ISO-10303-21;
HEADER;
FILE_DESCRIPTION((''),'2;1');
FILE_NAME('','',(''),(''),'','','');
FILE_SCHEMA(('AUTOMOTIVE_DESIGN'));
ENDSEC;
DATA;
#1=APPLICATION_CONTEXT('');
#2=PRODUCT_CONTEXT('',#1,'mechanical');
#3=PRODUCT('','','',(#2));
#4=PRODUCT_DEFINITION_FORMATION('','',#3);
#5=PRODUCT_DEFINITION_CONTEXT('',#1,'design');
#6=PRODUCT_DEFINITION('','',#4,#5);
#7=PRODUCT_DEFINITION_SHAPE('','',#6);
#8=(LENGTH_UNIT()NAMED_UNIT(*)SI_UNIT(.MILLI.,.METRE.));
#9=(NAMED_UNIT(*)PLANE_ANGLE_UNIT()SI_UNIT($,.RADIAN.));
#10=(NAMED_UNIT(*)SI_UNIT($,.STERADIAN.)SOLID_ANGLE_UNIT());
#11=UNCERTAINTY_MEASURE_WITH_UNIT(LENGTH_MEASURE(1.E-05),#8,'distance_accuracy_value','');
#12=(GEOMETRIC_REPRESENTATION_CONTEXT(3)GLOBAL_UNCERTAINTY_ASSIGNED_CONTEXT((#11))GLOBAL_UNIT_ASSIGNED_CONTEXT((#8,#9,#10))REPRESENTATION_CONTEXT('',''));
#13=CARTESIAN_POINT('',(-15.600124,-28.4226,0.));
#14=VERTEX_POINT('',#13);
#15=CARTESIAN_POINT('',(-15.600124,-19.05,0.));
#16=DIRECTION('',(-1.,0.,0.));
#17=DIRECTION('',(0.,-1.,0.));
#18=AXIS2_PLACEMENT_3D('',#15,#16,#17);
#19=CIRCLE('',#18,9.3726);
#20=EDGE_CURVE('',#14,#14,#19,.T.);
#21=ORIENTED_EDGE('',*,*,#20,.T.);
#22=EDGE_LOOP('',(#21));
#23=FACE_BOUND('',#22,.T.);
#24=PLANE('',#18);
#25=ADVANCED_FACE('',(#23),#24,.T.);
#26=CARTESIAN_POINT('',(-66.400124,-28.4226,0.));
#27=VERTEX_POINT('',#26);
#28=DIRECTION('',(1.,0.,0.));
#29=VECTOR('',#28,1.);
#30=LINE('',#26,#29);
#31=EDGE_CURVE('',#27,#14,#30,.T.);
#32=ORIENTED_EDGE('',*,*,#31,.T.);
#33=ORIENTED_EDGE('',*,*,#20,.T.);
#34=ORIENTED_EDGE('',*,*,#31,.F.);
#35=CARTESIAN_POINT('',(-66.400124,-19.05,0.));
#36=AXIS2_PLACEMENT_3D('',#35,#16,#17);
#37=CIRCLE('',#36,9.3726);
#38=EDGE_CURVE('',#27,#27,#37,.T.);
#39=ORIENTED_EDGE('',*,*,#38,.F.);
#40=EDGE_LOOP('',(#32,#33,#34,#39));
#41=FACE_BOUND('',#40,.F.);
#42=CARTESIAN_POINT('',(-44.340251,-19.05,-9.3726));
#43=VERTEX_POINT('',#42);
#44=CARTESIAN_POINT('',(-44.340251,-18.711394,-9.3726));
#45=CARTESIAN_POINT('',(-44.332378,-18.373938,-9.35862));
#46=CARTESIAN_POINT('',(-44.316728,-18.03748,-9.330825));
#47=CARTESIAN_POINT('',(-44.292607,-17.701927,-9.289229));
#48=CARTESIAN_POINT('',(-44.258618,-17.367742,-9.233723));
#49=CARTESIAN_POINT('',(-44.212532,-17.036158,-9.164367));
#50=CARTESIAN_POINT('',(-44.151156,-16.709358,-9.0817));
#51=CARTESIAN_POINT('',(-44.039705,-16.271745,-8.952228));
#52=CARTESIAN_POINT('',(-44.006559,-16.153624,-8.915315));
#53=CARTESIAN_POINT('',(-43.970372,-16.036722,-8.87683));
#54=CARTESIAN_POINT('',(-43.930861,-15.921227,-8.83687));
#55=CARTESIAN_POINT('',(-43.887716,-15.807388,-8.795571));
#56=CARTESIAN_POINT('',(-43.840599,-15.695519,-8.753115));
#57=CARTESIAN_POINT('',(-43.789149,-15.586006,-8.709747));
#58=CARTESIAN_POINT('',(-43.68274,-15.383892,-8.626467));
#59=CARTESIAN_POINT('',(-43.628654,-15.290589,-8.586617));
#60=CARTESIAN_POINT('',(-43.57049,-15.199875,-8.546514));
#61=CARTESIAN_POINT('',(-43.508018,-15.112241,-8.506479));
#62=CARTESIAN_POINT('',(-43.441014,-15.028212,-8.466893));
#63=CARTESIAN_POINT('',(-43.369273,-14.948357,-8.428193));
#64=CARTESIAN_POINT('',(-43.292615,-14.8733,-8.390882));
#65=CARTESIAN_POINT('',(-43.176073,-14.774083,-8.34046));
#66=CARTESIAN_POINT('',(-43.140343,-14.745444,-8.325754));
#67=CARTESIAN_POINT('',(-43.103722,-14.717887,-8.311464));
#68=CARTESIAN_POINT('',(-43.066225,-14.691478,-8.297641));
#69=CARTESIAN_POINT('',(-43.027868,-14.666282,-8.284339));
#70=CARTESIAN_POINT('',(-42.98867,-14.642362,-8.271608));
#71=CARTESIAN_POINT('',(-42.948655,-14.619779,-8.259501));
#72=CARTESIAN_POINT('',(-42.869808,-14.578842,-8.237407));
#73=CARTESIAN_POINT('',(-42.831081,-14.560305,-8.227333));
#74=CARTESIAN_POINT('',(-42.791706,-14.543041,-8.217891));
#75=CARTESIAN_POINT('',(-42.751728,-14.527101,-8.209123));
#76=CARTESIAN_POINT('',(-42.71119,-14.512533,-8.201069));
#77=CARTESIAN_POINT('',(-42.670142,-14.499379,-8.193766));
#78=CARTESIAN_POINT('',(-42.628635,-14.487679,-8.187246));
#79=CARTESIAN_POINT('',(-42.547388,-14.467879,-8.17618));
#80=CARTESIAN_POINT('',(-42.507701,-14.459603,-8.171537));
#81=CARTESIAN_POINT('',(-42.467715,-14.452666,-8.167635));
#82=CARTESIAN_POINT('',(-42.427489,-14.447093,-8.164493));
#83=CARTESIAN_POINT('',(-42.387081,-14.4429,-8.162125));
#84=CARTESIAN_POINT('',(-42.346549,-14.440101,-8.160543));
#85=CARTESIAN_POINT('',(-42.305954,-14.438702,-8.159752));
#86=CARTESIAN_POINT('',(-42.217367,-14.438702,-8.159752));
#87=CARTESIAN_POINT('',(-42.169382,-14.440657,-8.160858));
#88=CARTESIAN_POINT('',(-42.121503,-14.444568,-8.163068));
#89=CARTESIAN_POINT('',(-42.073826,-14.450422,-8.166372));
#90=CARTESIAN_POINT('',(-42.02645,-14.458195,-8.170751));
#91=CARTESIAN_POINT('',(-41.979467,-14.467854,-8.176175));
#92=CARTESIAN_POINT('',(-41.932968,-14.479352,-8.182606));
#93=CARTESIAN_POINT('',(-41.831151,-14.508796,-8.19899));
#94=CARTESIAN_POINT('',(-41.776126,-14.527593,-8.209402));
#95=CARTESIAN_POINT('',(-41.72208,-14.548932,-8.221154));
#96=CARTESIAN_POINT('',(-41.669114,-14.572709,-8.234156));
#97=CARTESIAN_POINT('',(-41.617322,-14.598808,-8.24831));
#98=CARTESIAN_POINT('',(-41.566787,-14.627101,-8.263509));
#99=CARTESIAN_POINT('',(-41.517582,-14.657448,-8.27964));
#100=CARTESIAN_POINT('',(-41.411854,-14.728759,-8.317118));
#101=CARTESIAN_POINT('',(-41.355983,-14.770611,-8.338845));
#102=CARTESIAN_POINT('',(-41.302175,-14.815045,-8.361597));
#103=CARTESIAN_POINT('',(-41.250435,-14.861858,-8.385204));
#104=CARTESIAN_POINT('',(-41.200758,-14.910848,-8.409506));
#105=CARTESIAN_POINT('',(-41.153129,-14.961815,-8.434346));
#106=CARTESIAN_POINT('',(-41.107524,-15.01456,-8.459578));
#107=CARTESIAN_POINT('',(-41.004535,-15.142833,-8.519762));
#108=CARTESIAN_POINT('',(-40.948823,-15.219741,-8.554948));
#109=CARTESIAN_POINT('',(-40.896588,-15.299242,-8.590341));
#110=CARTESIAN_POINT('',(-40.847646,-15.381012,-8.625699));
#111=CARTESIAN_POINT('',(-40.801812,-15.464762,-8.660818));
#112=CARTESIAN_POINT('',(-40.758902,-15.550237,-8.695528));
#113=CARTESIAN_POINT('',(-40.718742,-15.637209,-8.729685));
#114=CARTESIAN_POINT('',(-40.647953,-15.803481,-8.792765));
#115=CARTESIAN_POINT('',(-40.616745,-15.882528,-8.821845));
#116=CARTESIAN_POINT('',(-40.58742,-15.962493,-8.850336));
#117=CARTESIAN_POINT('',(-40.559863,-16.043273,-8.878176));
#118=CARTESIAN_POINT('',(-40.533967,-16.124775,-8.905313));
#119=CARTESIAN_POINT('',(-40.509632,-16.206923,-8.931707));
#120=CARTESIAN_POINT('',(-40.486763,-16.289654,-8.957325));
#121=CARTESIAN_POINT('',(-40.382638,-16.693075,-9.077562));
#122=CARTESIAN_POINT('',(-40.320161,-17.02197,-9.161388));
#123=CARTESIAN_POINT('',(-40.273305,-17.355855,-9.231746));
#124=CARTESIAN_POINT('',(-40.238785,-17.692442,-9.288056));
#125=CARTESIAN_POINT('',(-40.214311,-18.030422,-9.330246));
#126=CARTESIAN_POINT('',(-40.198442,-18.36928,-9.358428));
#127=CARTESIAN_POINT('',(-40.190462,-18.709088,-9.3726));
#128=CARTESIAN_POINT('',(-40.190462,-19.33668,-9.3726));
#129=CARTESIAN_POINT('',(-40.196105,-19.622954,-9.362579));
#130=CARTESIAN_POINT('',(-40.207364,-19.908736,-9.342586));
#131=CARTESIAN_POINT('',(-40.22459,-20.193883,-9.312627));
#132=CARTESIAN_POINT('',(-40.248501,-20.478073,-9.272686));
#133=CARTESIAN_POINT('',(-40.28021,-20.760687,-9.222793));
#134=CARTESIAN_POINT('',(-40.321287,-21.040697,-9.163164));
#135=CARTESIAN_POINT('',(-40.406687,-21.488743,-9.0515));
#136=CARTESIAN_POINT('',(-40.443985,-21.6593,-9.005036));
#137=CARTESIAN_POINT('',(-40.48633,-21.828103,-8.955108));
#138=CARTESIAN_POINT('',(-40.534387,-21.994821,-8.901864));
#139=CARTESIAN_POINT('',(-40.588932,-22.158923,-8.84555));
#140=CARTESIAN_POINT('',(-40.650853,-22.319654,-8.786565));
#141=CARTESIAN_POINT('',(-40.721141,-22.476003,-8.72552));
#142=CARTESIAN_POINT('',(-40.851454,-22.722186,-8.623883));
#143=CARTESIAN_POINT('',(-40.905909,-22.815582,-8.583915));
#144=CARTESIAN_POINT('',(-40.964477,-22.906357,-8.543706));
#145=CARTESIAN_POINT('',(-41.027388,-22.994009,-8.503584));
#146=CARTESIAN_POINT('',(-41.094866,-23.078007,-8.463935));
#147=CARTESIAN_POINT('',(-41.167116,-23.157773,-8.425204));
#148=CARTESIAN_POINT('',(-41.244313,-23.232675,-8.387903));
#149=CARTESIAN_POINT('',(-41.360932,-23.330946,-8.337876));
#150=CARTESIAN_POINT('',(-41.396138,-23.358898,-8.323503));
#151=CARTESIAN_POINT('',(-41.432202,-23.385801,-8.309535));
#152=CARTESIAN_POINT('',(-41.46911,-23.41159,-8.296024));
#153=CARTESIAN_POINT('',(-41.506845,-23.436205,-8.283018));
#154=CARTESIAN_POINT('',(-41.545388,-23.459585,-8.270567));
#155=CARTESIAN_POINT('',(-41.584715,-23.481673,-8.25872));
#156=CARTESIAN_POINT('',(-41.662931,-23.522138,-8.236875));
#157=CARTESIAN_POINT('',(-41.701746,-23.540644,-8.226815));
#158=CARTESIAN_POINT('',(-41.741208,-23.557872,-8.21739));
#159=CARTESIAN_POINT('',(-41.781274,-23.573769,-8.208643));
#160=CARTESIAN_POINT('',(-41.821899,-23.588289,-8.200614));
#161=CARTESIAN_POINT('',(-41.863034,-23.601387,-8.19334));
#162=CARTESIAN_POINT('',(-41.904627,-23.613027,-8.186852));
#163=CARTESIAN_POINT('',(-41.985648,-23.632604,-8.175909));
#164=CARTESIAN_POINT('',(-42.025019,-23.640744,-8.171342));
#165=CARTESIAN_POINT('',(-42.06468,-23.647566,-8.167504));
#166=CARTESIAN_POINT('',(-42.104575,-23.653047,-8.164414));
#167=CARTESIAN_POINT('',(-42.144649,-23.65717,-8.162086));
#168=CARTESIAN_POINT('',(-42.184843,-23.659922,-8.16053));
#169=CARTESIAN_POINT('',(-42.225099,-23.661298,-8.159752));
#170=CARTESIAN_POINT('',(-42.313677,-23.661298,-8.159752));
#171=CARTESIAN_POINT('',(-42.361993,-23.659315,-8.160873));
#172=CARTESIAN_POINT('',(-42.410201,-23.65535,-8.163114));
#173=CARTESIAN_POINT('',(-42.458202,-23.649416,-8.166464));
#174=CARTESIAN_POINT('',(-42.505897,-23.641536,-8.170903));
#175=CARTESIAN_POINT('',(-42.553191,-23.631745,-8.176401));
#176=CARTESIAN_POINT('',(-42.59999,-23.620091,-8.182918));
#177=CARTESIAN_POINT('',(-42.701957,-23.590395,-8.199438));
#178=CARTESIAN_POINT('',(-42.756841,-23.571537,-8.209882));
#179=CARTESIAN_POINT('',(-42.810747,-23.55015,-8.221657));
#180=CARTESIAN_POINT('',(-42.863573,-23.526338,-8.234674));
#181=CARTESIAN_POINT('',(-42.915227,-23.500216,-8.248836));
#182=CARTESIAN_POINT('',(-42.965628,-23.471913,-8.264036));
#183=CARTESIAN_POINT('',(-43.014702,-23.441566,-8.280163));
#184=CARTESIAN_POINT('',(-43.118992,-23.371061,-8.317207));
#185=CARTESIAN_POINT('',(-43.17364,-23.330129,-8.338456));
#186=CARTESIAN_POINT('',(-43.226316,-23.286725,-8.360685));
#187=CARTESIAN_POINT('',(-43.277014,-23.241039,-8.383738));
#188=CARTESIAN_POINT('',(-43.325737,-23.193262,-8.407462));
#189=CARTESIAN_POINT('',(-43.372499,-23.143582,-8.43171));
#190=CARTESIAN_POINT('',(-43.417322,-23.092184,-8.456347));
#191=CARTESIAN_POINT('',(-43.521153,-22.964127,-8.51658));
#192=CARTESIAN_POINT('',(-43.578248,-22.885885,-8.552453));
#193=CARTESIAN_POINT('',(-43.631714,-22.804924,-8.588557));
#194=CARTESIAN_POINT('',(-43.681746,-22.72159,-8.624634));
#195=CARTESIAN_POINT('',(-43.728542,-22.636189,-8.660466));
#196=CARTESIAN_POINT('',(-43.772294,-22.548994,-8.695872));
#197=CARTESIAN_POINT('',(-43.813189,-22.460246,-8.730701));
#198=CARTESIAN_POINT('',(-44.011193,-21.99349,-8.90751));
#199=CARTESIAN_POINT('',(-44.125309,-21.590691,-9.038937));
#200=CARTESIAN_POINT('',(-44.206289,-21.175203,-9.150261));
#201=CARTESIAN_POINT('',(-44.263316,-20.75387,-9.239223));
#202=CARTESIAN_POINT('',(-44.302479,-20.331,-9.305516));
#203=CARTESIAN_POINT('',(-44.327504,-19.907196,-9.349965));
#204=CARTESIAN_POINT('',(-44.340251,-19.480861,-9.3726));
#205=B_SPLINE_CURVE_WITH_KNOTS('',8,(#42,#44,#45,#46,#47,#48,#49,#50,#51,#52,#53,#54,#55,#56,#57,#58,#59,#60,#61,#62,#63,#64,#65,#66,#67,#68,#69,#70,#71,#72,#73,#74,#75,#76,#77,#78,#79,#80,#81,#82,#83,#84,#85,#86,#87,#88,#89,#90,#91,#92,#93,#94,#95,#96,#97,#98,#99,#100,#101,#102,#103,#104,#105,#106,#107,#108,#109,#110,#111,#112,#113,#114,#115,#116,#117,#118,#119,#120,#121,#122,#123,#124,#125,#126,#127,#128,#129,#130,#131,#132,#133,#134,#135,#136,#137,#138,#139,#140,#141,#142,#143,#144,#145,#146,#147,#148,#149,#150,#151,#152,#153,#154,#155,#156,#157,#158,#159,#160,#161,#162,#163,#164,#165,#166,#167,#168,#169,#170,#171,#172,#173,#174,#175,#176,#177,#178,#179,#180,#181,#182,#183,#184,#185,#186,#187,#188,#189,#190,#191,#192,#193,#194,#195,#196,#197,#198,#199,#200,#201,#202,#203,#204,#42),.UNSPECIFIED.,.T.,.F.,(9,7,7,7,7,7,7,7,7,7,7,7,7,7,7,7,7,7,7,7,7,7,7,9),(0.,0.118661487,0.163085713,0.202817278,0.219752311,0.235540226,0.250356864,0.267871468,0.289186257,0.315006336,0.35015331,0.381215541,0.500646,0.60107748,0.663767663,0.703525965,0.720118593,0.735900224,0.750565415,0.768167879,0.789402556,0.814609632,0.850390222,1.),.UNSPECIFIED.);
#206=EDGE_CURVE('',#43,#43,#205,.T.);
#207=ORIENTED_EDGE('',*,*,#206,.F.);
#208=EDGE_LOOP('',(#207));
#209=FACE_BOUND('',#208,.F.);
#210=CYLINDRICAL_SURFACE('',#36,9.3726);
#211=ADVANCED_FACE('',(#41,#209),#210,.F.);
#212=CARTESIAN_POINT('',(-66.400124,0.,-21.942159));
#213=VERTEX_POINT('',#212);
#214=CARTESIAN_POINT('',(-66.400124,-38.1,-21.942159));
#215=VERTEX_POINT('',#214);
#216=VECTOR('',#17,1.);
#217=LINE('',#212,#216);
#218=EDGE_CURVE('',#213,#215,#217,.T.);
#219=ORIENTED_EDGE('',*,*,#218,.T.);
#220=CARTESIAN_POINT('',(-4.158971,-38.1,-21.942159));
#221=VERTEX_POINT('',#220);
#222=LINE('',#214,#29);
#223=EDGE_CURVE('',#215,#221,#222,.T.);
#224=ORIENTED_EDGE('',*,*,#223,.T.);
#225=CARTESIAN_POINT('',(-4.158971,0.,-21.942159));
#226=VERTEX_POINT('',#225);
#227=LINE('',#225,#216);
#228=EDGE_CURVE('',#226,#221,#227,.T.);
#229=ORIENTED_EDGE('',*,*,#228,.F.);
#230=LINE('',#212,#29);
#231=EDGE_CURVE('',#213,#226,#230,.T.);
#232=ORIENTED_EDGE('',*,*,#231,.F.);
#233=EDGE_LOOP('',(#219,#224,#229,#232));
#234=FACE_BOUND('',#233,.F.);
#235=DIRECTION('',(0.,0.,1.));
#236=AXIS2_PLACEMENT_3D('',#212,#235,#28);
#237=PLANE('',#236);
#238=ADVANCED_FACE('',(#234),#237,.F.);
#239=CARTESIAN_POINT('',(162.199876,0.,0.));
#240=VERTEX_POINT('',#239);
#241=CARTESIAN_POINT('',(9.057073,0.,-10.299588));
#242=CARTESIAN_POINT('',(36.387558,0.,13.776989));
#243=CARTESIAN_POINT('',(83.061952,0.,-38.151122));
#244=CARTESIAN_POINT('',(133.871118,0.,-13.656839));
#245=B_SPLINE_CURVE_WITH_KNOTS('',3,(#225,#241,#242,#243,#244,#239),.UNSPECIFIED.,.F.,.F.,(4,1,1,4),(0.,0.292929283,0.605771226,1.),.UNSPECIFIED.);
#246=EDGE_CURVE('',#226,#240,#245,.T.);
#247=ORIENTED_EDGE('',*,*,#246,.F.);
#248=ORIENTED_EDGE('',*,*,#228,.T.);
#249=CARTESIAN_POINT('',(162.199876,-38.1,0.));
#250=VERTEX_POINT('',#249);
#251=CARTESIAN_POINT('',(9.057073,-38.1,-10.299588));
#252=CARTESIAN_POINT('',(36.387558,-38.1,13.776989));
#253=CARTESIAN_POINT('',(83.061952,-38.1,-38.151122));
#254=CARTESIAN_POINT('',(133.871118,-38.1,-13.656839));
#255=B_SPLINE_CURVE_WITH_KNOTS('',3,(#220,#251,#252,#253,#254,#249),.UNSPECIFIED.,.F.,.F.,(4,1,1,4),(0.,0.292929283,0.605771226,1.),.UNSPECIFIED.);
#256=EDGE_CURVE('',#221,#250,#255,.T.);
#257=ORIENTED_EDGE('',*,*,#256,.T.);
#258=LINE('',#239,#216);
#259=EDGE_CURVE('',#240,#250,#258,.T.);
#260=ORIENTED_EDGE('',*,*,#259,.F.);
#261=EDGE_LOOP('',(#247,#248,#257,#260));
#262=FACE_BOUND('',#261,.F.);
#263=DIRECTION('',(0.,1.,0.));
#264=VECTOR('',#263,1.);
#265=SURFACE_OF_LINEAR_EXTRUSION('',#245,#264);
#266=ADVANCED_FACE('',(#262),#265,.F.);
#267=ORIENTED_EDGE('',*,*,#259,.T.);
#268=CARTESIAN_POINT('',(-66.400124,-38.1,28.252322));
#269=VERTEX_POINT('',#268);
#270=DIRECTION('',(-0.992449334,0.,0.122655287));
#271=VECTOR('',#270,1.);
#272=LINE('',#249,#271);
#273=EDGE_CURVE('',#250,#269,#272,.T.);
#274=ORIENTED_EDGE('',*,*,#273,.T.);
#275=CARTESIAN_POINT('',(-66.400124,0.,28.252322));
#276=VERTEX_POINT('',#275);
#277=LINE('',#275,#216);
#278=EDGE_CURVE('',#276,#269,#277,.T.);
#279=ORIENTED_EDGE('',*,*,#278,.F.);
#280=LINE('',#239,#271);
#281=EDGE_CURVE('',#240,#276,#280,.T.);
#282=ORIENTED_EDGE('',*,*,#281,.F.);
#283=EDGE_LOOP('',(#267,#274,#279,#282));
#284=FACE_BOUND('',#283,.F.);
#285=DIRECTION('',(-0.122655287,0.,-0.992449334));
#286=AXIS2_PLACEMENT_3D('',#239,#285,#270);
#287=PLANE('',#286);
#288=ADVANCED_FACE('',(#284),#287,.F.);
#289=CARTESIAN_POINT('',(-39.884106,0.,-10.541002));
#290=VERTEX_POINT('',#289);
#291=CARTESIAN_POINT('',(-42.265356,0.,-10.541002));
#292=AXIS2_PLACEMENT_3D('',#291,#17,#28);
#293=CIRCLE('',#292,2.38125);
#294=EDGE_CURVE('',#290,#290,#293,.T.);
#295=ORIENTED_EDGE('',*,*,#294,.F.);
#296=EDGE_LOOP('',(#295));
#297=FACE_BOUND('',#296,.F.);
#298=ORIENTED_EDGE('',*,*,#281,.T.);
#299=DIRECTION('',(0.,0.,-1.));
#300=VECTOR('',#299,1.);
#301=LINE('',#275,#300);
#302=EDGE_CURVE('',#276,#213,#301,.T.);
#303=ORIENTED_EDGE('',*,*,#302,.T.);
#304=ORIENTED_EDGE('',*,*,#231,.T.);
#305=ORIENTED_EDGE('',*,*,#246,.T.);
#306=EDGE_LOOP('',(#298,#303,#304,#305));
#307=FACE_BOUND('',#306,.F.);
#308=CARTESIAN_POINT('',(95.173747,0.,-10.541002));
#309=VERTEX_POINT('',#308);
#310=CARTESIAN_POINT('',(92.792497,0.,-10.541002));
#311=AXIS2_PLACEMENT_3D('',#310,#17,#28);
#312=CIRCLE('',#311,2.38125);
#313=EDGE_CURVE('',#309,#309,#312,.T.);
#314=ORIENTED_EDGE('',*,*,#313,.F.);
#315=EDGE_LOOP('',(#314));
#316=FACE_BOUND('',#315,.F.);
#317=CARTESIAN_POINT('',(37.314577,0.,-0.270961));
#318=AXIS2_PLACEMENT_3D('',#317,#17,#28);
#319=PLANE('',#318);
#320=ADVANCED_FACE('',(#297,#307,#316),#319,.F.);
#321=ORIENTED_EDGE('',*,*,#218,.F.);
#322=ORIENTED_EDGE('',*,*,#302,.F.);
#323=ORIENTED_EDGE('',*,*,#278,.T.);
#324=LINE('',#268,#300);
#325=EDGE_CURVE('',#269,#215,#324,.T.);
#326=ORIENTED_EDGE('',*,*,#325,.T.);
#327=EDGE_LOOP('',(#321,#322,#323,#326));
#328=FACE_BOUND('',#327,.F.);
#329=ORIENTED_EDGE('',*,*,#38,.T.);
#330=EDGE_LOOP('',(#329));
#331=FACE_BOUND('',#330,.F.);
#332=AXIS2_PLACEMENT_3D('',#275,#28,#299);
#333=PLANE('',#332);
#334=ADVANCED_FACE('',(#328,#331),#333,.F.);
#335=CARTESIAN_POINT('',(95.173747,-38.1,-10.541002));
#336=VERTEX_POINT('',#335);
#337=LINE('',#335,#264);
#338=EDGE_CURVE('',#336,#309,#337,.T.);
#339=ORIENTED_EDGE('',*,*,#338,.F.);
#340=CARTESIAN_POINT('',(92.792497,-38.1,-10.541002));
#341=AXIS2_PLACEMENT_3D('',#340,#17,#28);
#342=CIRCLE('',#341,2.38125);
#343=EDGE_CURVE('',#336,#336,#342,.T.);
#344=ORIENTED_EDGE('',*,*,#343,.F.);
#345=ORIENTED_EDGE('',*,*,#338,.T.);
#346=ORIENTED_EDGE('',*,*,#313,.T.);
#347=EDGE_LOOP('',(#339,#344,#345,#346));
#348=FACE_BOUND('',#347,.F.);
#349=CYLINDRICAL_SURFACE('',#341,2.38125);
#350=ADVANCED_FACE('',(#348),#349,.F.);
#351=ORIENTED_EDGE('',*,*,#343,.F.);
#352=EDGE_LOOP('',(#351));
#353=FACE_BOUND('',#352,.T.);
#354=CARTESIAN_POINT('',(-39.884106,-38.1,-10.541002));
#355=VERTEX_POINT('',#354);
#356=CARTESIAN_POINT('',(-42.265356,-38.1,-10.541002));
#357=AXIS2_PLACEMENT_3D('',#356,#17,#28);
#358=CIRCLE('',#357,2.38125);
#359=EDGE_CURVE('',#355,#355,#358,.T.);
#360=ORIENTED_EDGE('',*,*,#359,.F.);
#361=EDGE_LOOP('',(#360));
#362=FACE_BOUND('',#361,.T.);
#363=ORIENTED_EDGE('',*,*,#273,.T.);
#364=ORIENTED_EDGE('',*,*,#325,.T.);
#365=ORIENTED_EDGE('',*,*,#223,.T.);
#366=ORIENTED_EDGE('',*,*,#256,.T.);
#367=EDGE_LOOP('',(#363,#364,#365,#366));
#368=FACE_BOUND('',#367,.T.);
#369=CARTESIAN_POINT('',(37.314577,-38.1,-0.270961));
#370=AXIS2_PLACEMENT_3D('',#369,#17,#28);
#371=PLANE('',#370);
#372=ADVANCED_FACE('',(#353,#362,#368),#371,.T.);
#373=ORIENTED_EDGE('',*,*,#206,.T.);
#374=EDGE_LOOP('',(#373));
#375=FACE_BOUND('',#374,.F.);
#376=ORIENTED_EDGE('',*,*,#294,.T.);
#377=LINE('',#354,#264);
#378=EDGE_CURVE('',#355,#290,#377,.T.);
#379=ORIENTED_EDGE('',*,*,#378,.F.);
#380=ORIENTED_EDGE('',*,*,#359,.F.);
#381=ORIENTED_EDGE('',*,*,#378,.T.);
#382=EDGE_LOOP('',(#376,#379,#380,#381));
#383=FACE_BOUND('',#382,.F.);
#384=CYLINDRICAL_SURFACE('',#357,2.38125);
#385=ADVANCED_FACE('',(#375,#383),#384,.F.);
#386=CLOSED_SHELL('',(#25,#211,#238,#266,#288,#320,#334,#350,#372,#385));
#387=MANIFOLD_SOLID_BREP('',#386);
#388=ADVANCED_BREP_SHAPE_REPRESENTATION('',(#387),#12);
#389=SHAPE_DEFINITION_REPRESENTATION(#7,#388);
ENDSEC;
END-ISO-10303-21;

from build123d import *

# Parameters (mm, degrees)
F1_DEPTH = 38.1
F2_R     = 2.38125
F3_DEPTH = 50.8
F4_R     = 9.3726
F5_DEPTH = 50.8


with BuildPart() as f1:
    # F0 (on Front) → F1 (new body)
    with BuildSketch(Plane.XZ):
        with BuildLine():
            Line((162.1998757672, 0), (-66.4001242328, 28.252322495))
            Line((-66.4001242328, 28.252322495), (-66.4001242328, -21.9421586787))
            Line((-66.4001242328, -21.9421586787), (-4.1589712477, -21.9421586787))
            add(Edge.make_bspline(
                [(-4.1589712477, -21.9421586787), (9.0570730375, -10.2995880159), (36.3875579336, 13.7769885137), (83.061952184, -38.1511215036), (133.8711179096, -13.656839024), (162.1998757672, 0)],
                knots=[0, 0, 0, 0, 0.292929283, 0.6057712256, 1, 1, 1, 1], degree=3))
        make_face()
    extrude(amount=F1_DEPTH)

    # F2 (on face) → F3 (cut)
    with BuildSketch(Plane.XZ.offset(38.1)):
        with Locations((92.7924972183, -10.5410022661)):
            Circle(F2_R)
        with Locations((-42.2653563885, -10.5410022661)):
            Circle(F2_R)
    extrude(amount=-F3_DEPTH, mode=Mode.SUBTRACT)

    # F4 (on face) → F5 (cut)
    with BuildSketch(Plane(origin=(-66.4001242328, 0, 0), x_dir=(0, -1, 0), z_dir=(-1, 0, 0))):
        with Locations((19.05, 0)):
            Circle(F4_R)
    extrude(amount=-F5_DEPTH, mode=Mode.SUBTRACT)


solid = f1.part
